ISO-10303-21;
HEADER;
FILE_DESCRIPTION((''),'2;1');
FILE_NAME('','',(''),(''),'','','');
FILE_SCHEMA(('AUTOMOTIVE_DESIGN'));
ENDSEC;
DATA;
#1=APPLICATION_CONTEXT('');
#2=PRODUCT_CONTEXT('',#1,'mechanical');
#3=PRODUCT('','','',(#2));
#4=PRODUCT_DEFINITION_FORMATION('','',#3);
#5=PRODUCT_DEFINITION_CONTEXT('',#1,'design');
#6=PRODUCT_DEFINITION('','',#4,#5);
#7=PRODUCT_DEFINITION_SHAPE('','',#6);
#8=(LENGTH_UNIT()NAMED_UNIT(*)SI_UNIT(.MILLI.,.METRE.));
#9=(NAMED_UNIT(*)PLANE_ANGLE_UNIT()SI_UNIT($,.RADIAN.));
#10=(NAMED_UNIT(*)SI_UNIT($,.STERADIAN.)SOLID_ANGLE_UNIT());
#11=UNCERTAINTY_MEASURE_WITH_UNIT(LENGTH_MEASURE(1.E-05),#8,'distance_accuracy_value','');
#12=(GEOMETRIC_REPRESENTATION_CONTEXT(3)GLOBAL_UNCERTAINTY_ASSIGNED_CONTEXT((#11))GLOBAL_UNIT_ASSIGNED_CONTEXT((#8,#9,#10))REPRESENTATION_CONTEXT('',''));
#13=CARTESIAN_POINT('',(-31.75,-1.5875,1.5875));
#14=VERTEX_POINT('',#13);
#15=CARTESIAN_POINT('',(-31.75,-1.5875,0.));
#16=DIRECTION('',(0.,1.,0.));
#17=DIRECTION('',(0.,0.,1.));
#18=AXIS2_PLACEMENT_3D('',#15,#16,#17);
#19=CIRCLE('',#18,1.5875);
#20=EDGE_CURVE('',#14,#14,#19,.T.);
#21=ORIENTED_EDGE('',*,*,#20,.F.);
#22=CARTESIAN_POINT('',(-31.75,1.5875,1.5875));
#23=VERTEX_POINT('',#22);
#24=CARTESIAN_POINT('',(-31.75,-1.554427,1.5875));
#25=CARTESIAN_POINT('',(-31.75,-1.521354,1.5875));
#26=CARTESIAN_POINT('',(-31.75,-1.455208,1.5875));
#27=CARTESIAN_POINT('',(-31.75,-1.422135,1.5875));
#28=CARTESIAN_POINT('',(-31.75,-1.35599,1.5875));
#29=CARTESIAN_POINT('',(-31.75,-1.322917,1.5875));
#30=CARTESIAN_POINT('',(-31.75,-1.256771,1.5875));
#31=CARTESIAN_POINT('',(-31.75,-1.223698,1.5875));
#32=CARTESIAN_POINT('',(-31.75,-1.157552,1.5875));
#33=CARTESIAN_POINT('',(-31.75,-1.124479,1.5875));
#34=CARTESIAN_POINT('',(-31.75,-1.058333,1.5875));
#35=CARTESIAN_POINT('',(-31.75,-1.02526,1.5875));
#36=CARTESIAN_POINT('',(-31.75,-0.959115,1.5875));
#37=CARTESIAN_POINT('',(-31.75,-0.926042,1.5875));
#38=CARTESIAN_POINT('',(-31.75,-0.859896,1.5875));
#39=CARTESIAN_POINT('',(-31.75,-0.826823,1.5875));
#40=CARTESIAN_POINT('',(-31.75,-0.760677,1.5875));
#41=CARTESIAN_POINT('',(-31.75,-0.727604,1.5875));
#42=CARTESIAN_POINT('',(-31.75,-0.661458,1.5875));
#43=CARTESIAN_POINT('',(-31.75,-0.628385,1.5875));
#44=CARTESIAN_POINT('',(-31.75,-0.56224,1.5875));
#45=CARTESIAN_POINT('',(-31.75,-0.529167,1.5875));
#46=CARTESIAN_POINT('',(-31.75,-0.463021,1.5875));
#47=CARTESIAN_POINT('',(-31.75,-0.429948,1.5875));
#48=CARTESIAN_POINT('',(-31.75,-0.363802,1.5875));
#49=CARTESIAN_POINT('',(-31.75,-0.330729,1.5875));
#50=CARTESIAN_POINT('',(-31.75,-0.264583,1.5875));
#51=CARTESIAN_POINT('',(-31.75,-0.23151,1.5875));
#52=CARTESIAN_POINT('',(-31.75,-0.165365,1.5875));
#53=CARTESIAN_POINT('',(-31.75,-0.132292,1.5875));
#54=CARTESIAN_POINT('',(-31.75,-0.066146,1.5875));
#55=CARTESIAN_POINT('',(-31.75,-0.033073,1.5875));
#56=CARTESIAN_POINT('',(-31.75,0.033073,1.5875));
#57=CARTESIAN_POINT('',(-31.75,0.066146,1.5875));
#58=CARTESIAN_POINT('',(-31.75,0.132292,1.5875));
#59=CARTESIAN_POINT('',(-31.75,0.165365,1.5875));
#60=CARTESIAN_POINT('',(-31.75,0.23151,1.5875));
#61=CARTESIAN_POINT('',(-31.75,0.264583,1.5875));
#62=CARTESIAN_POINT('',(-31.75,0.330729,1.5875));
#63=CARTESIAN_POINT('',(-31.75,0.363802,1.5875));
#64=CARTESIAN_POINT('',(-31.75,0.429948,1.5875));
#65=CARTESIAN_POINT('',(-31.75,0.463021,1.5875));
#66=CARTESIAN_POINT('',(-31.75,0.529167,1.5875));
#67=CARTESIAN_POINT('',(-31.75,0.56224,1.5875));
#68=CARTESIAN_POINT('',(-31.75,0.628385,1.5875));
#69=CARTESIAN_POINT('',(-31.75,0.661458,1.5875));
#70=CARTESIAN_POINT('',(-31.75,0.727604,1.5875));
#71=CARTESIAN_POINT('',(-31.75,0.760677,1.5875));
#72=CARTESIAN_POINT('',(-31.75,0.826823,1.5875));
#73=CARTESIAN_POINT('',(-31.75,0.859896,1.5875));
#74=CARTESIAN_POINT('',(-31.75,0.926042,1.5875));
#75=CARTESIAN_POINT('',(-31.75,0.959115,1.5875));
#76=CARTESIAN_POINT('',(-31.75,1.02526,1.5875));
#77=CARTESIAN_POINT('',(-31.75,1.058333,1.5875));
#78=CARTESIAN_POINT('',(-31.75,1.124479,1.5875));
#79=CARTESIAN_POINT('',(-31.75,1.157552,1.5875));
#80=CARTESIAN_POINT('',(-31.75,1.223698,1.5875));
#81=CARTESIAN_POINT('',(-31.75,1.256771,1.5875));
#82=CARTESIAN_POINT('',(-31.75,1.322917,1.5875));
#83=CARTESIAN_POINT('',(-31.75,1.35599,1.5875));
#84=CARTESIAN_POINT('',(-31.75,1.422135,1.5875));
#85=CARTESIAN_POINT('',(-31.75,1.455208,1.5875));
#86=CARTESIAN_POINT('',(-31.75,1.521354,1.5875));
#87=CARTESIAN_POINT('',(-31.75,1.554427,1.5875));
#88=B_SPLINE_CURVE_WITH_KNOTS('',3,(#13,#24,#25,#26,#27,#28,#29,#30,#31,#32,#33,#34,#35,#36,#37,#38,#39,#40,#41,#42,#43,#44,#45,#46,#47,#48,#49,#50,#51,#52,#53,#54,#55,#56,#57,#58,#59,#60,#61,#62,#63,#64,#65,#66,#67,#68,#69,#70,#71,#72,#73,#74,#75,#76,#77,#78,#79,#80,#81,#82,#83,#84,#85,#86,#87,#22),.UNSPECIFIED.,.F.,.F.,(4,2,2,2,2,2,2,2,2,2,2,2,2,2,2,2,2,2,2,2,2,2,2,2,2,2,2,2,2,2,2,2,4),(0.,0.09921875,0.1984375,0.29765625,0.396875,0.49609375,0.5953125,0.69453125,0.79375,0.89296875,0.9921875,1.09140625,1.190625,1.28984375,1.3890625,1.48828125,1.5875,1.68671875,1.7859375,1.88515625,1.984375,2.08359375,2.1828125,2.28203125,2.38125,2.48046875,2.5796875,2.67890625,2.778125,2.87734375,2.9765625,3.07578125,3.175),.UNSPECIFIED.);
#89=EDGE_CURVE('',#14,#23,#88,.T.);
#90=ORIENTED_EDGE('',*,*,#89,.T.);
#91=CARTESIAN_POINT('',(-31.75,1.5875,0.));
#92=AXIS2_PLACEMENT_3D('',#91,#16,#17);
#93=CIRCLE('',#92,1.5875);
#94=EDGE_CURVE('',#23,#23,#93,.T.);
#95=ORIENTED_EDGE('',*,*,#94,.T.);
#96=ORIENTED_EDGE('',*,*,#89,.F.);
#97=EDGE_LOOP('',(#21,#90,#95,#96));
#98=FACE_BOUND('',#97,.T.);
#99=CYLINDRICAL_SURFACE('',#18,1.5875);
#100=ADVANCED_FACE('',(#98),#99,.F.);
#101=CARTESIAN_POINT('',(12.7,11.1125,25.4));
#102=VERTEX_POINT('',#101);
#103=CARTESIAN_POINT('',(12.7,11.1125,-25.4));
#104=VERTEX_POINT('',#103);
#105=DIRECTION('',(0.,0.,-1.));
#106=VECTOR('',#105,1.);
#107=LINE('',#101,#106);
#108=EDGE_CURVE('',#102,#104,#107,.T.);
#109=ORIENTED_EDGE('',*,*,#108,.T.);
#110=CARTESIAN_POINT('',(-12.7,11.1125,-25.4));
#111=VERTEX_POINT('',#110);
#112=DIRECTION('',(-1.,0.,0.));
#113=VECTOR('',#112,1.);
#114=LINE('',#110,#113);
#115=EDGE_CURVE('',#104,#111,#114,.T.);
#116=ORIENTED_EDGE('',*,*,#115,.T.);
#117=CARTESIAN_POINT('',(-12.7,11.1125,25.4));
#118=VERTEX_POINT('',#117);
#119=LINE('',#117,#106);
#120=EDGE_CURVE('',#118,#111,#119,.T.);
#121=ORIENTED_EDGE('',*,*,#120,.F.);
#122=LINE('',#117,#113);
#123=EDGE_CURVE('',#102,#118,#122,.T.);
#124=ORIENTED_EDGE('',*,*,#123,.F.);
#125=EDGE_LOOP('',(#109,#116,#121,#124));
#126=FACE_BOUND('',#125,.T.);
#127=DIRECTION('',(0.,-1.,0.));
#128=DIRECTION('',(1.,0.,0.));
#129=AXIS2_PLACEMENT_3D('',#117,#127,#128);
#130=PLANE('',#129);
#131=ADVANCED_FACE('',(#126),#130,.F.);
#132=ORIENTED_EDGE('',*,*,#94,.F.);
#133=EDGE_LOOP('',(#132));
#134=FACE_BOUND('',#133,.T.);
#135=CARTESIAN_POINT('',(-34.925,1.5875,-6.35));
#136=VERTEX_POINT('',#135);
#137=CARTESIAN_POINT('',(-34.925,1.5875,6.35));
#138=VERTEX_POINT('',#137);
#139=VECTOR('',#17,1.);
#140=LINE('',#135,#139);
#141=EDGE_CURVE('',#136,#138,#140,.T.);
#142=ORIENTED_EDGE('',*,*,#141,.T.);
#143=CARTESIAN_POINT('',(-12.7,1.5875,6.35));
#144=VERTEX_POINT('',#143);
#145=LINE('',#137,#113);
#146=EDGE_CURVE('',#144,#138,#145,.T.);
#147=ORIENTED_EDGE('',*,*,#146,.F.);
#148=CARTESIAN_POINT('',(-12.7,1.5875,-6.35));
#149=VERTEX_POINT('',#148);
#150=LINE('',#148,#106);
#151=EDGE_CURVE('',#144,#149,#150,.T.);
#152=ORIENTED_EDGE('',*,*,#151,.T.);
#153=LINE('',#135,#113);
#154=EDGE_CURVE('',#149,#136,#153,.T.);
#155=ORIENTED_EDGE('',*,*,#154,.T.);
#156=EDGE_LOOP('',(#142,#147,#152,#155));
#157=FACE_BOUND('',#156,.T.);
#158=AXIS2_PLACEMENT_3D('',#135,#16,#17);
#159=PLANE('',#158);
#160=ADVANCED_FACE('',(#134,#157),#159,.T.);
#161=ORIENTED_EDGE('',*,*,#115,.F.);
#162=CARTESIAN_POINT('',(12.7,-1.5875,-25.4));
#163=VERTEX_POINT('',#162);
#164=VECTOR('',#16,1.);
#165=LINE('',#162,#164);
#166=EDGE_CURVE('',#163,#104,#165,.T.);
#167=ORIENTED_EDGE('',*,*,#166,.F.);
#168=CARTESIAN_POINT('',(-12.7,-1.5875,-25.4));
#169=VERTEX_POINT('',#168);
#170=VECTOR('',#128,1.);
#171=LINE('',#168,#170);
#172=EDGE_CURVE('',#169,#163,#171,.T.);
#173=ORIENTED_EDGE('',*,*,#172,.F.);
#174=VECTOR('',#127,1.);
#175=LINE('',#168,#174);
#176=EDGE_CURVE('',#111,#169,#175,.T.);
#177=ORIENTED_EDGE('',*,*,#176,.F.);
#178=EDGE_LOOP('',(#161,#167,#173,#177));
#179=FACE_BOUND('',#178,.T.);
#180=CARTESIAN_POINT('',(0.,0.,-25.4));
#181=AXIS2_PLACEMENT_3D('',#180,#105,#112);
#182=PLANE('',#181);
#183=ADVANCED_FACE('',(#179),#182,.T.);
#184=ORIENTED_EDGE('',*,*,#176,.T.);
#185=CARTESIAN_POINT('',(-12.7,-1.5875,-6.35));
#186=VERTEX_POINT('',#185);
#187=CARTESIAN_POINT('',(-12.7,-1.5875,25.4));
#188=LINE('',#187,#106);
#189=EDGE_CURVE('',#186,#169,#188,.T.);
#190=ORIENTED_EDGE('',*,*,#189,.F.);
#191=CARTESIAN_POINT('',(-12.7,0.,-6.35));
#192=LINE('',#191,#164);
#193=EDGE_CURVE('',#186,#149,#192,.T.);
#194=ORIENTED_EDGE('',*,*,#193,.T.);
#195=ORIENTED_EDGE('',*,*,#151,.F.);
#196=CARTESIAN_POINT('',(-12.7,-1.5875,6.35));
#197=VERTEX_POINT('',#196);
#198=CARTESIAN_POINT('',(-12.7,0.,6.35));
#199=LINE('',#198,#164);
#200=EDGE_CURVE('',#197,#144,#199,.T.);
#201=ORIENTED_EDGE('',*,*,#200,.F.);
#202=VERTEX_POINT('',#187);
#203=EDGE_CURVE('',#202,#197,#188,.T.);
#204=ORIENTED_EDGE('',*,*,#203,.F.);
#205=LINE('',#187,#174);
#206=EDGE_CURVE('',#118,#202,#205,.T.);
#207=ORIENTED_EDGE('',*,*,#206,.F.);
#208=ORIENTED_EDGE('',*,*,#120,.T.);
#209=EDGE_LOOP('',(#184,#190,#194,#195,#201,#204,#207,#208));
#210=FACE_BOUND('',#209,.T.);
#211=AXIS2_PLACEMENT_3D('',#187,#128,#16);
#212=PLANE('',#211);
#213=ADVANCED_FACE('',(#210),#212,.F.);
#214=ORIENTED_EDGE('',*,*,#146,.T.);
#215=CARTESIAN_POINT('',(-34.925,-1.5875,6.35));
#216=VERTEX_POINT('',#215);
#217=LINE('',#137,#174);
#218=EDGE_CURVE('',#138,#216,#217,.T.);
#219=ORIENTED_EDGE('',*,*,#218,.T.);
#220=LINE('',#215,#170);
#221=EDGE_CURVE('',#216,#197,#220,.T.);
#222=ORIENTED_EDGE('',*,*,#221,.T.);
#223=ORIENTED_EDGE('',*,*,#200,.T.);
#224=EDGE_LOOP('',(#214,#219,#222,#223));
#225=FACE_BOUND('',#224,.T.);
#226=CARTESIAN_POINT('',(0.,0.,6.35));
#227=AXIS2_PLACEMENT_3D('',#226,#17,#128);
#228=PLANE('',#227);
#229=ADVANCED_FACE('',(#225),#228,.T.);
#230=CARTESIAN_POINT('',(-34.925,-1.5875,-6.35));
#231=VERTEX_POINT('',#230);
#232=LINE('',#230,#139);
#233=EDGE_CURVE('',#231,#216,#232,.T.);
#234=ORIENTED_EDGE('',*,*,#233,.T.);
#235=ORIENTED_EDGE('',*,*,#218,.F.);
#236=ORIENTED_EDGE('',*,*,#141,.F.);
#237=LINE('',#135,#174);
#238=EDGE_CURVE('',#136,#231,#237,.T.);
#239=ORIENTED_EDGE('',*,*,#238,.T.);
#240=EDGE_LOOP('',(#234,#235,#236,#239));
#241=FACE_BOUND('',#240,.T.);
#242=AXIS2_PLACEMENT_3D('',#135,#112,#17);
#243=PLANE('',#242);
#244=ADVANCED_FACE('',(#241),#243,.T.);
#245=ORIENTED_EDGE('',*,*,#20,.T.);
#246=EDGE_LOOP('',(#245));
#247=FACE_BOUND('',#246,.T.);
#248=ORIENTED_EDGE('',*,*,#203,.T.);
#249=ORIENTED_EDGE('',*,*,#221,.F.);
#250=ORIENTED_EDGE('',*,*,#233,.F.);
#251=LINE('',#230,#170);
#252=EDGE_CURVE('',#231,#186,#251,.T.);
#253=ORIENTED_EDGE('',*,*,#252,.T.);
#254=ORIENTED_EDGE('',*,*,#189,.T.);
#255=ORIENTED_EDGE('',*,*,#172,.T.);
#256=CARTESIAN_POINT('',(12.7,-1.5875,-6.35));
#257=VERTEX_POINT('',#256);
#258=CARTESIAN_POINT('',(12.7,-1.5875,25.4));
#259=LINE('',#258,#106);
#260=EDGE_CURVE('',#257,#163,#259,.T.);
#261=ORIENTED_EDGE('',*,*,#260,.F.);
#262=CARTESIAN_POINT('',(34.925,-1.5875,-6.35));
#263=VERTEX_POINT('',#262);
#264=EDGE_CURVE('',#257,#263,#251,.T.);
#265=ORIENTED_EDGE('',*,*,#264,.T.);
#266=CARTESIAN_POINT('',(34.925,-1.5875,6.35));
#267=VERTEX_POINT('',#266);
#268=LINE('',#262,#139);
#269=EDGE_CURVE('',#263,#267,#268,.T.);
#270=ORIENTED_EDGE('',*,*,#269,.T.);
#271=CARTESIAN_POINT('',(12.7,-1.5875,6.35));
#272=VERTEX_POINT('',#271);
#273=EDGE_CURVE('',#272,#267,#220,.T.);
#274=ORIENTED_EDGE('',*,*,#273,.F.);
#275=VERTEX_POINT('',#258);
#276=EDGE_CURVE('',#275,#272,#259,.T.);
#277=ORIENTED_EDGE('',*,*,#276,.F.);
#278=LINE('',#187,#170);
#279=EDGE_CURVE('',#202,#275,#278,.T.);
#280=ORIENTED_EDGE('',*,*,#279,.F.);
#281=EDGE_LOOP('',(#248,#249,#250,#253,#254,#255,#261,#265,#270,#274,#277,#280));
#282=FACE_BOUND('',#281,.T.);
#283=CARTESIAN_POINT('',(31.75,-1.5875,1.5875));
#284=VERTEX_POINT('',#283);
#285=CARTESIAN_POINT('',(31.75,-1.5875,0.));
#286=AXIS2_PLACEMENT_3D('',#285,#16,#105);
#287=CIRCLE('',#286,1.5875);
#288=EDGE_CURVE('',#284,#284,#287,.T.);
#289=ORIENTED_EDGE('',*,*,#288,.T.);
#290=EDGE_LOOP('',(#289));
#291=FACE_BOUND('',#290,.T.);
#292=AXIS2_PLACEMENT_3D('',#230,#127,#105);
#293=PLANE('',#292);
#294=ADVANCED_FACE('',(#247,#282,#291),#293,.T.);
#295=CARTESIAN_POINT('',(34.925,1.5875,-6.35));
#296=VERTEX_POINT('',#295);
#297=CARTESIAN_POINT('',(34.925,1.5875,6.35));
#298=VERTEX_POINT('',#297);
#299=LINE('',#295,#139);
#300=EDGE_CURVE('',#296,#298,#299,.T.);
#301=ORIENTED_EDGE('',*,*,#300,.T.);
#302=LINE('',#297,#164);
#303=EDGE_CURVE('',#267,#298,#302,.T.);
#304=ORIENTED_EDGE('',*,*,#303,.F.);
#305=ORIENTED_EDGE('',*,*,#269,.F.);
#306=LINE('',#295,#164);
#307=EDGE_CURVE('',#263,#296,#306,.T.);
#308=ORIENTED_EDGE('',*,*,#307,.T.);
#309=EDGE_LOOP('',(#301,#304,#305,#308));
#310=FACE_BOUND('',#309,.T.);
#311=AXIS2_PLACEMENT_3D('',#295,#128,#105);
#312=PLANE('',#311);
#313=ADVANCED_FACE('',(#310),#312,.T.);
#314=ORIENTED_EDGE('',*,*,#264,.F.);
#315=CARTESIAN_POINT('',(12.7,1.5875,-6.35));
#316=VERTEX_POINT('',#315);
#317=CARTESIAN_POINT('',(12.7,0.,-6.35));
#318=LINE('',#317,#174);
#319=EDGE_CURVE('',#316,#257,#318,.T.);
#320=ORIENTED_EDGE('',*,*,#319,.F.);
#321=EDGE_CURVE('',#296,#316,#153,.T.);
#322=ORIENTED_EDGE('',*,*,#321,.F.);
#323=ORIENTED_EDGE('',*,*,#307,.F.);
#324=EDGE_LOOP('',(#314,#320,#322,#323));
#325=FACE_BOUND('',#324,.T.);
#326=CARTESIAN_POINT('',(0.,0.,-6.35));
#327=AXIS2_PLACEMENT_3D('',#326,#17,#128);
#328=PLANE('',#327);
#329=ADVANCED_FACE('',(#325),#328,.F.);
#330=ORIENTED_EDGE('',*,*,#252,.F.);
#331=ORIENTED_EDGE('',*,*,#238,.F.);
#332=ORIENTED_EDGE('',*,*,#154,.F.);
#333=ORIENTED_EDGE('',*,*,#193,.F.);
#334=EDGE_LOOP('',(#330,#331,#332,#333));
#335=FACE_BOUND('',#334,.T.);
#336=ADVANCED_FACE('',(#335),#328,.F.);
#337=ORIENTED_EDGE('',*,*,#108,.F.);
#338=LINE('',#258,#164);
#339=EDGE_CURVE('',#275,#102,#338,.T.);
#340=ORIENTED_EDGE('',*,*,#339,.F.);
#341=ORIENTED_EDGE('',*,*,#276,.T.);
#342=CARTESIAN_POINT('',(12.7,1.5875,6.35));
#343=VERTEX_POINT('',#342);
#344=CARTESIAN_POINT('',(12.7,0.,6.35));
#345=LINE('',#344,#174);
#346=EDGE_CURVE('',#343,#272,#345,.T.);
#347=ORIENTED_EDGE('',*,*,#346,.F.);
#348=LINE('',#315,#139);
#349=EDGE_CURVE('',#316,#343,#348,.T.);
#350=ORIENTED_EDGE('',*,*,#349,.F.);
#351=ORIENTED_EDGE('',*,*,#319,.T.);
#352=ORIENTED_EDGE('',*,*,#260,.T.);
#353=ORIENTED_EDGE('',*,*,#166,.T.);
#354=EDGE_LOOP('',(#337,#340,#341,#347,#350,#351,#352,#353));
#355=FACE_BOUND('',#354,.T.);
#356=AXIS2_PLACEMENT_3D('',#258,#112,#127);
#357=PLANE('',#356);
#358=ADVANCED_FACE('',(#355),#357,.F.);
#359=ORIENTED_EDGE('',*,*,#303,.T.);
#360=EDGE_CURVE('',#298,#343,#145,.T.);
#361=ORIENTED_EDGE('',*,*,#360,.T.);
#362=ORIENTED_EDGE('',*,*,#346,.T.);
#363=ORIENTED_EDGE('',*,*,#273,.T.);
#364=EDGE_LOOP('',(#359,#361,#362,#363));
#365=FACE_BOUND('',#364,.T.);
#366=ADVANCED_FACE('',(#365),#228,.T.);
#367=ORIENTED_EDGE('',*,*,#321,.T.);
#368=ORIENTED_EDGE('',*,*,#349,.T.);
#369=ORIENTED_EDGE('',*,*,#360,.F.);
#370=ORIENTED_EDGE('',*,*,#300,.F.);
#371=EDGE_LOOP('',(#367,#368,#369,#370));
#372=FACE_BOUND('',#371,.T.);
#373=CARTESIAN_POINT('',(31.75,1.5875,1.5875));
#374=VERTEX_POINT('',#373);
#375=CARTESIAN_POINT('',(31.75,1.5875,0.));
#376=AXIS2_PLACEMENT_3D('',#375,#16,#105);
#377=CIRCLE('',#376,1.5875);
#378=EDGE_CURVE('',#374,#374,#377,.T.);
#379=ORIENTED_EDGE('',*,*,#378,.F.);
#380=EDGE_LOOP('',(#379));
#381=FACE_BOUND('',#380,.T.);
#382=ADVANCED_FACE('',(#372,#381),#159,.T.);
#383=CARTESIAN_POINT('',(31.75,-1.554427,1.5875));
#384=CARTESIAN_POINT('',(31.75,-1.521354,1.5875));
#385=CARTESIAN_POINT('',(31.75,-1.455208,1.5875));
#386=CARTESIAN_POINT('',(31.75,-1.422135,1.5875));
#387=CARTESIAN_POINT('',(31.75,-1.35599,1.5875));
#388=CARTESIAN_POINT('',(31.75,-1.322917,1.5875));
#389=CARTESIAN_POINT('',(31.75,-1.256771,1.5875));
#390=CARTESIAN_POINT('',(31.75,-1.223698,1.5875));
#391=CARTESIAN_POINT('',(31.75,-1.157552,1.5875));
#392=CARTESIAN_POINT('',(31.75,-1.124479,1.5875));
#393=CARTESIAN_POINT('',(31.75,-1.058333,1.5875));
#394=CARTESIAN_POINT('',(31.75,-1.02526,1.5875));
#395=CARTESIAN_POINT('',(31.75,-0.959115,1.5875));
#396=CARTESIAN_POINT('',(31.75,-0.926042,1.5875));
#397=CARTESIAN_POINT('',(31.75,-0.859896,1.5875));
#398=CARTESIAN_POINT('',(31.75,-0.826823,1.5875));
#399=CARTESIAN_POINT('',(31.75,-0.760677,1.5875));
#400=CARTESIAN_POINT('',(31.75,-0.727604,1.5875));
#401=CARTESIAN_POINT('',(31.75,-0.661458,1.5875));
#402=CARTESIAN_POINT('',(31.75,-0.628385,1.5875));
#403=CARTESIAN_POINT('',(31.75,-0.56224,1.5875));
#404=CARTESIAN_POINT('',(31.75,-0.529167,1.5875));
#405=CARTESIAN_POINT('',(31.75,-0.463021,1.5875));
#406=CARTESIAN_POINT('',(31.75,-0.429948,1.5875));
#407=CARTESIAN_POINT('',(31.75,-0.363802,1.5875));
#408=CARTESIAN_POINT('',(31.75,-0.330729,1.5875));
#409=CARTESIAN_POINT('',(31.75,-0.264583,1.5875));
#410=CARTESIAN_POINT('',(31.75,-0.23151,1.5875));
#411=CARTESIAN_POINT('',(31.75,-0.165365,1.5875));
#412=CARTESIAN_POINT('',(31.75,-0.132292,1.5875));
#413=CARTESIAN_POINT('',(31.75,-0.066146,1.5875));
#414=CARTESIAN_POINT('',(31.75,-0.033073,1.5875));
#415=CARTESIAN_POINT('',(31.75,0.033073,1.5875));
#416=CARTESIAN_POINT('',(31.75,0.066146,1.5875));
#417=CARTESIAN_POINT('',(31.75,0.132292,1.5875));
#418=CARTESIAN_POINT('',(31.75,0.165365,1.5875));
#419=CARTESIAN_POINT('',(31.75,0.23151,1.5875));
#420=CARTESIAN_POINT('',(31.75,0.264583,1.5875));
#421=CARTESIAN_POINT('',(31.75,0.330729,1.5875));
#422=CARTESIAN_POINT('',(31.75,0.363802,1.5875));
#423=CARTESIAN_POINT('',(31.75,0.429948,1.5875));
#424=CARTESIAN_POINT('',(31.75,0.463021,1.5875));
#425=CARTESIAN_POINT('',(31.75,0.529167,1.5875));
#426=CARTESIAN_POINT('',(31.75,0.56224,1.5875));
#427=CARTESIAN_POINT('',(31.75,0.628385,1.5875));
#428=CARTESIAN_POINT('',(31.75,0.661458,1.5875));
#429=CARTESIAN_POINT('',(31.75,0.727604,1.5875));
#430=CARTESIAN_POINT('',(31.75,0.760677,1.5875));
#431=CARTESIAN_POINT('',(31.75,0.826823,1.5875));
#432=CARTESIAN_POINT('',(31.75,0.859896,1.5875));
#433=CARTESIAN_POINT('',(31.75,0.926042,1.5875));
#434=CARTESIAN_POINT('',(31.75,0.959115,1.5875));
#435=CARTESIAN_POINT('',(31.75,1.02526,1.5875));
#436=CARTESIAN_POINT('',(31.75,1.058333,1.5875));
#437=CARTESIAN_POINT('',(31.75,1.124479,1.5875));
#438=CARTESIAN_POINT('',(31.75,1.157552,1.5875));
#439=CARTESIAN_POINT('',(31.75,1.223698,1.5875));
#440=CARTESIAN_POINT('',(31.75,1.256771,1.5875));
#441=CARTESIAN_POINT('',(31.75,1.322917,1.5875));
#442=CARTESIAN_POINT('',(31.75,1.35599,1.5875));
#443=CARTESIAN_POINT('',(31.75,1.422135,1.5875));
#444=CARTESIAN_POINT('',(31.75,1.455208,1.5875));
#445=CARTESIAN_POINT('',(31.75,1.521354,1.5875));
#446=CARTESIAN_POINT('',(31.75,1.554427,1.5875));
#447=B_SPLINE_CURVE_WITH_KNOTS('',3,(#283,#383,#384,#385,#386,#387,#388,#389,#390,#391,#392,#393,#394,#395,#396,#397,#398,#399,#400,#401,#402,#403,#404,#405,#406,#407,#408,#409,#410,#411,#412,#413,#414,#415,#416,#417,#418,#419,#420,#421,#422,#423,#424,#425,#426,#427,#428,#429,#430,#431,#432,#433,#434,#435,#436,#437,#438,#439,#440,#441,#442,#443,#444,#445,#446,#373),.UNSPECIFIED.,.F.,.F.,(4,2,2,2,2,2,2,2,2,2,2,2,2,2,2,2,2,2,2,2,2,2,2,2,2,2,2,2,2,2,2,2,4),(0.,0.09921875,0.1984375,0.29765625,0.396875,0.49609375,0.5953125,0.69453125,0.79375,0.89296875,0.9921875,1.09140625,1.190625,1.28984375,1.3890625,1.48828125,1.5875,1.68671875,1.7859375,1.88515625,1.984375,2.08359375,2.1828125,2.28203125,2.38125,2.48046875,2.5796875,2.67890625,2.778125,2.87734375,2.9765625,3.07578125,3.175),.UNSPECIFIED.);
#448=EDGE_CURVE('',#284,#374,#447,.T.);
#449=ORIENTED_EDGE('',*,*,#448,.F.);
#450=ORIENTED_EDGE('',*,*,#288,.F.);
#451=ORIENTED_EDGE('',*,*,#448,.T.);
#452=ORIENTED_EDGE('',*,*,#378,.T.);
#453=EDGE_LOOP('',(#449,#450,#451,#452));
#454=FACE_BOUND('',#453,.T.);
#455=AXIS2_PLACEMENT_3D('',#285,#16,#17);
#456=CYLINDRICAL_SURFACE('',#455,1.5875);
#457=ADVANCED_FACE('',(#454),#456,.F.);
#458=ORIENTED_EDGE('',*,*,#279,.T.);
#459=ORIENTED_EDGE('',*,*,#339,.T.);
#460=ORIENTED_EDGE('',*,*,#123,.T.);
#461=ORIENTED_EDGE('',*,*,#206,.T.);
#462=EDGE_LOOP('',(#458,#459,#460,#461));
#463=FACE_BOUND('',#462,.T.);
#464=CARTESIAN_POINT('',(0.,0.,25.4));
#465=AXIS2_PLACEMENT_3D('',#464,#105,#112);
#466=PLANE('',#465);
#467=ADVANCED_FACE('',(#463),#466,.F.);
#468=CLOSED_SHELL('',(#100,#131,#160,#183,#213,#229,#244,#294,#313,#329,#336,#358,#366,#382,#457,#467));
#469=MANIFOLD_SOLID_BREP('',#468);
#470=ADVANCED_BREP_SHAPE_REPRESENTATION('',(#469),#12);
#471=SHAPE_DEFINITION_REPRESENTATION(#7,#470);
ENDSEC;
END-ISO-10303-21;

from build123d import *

# Parameters (mm, degrees)
SKETCH2_W           = 69.85
SKETCH2_H           = 3.175
BOSS_EXTRUDE1_DEPTH = 6.35
SKETCH5_W           = 25.4
SKETCH5_H           = 12.7
BOSS_EXTRUDE2_DEPTH = 25.4
SKETCH6_R           = 1.5875
CUT_EXTRUDE1_DEPTH  = 45.22263278


with BuildPart() as part:
    # Sketch2 → Boss-Extrude1 (new, symmetric)
    with BuildSketch(Plane.XY):
        Rectangle(SKETCH2_W, SKETCH2_H)
    extrude(amount=BOSS_EXTRUDE1_DEPTH, both=True)

    # Sketch5 → Boss-Extrude2 (add, symmetric)
    with BuildSketch(Plane.XY):
        with Locations((0, 4.7625)):
            Rectangle(SKETCH5_W, SKETCH5_H)
    extrude(amount=BOSS_EXTRUDE2_DEPTH, both=True)

    # Sketch6 → Cut-Extrude1 (cut, through all)
    with BuildSketch(Plane(origin=(0, 1.5875, 0), x_dir=(1, 0, 0), z_dir=(0, 1, 0))):
        with Locations(Location((-31.75, 0, 0), (0, 0, 270))):
            Circle(SKETCH6_R)
        with Locations(Location((31.75, 0, 0), (0, 0, 270))):
            Circle(SKETCH6_R)
    extrude(amount=-CUT_EXTRUDE1_DEPTH, mode=Mode.SUBTRACT)


solid = part.part
